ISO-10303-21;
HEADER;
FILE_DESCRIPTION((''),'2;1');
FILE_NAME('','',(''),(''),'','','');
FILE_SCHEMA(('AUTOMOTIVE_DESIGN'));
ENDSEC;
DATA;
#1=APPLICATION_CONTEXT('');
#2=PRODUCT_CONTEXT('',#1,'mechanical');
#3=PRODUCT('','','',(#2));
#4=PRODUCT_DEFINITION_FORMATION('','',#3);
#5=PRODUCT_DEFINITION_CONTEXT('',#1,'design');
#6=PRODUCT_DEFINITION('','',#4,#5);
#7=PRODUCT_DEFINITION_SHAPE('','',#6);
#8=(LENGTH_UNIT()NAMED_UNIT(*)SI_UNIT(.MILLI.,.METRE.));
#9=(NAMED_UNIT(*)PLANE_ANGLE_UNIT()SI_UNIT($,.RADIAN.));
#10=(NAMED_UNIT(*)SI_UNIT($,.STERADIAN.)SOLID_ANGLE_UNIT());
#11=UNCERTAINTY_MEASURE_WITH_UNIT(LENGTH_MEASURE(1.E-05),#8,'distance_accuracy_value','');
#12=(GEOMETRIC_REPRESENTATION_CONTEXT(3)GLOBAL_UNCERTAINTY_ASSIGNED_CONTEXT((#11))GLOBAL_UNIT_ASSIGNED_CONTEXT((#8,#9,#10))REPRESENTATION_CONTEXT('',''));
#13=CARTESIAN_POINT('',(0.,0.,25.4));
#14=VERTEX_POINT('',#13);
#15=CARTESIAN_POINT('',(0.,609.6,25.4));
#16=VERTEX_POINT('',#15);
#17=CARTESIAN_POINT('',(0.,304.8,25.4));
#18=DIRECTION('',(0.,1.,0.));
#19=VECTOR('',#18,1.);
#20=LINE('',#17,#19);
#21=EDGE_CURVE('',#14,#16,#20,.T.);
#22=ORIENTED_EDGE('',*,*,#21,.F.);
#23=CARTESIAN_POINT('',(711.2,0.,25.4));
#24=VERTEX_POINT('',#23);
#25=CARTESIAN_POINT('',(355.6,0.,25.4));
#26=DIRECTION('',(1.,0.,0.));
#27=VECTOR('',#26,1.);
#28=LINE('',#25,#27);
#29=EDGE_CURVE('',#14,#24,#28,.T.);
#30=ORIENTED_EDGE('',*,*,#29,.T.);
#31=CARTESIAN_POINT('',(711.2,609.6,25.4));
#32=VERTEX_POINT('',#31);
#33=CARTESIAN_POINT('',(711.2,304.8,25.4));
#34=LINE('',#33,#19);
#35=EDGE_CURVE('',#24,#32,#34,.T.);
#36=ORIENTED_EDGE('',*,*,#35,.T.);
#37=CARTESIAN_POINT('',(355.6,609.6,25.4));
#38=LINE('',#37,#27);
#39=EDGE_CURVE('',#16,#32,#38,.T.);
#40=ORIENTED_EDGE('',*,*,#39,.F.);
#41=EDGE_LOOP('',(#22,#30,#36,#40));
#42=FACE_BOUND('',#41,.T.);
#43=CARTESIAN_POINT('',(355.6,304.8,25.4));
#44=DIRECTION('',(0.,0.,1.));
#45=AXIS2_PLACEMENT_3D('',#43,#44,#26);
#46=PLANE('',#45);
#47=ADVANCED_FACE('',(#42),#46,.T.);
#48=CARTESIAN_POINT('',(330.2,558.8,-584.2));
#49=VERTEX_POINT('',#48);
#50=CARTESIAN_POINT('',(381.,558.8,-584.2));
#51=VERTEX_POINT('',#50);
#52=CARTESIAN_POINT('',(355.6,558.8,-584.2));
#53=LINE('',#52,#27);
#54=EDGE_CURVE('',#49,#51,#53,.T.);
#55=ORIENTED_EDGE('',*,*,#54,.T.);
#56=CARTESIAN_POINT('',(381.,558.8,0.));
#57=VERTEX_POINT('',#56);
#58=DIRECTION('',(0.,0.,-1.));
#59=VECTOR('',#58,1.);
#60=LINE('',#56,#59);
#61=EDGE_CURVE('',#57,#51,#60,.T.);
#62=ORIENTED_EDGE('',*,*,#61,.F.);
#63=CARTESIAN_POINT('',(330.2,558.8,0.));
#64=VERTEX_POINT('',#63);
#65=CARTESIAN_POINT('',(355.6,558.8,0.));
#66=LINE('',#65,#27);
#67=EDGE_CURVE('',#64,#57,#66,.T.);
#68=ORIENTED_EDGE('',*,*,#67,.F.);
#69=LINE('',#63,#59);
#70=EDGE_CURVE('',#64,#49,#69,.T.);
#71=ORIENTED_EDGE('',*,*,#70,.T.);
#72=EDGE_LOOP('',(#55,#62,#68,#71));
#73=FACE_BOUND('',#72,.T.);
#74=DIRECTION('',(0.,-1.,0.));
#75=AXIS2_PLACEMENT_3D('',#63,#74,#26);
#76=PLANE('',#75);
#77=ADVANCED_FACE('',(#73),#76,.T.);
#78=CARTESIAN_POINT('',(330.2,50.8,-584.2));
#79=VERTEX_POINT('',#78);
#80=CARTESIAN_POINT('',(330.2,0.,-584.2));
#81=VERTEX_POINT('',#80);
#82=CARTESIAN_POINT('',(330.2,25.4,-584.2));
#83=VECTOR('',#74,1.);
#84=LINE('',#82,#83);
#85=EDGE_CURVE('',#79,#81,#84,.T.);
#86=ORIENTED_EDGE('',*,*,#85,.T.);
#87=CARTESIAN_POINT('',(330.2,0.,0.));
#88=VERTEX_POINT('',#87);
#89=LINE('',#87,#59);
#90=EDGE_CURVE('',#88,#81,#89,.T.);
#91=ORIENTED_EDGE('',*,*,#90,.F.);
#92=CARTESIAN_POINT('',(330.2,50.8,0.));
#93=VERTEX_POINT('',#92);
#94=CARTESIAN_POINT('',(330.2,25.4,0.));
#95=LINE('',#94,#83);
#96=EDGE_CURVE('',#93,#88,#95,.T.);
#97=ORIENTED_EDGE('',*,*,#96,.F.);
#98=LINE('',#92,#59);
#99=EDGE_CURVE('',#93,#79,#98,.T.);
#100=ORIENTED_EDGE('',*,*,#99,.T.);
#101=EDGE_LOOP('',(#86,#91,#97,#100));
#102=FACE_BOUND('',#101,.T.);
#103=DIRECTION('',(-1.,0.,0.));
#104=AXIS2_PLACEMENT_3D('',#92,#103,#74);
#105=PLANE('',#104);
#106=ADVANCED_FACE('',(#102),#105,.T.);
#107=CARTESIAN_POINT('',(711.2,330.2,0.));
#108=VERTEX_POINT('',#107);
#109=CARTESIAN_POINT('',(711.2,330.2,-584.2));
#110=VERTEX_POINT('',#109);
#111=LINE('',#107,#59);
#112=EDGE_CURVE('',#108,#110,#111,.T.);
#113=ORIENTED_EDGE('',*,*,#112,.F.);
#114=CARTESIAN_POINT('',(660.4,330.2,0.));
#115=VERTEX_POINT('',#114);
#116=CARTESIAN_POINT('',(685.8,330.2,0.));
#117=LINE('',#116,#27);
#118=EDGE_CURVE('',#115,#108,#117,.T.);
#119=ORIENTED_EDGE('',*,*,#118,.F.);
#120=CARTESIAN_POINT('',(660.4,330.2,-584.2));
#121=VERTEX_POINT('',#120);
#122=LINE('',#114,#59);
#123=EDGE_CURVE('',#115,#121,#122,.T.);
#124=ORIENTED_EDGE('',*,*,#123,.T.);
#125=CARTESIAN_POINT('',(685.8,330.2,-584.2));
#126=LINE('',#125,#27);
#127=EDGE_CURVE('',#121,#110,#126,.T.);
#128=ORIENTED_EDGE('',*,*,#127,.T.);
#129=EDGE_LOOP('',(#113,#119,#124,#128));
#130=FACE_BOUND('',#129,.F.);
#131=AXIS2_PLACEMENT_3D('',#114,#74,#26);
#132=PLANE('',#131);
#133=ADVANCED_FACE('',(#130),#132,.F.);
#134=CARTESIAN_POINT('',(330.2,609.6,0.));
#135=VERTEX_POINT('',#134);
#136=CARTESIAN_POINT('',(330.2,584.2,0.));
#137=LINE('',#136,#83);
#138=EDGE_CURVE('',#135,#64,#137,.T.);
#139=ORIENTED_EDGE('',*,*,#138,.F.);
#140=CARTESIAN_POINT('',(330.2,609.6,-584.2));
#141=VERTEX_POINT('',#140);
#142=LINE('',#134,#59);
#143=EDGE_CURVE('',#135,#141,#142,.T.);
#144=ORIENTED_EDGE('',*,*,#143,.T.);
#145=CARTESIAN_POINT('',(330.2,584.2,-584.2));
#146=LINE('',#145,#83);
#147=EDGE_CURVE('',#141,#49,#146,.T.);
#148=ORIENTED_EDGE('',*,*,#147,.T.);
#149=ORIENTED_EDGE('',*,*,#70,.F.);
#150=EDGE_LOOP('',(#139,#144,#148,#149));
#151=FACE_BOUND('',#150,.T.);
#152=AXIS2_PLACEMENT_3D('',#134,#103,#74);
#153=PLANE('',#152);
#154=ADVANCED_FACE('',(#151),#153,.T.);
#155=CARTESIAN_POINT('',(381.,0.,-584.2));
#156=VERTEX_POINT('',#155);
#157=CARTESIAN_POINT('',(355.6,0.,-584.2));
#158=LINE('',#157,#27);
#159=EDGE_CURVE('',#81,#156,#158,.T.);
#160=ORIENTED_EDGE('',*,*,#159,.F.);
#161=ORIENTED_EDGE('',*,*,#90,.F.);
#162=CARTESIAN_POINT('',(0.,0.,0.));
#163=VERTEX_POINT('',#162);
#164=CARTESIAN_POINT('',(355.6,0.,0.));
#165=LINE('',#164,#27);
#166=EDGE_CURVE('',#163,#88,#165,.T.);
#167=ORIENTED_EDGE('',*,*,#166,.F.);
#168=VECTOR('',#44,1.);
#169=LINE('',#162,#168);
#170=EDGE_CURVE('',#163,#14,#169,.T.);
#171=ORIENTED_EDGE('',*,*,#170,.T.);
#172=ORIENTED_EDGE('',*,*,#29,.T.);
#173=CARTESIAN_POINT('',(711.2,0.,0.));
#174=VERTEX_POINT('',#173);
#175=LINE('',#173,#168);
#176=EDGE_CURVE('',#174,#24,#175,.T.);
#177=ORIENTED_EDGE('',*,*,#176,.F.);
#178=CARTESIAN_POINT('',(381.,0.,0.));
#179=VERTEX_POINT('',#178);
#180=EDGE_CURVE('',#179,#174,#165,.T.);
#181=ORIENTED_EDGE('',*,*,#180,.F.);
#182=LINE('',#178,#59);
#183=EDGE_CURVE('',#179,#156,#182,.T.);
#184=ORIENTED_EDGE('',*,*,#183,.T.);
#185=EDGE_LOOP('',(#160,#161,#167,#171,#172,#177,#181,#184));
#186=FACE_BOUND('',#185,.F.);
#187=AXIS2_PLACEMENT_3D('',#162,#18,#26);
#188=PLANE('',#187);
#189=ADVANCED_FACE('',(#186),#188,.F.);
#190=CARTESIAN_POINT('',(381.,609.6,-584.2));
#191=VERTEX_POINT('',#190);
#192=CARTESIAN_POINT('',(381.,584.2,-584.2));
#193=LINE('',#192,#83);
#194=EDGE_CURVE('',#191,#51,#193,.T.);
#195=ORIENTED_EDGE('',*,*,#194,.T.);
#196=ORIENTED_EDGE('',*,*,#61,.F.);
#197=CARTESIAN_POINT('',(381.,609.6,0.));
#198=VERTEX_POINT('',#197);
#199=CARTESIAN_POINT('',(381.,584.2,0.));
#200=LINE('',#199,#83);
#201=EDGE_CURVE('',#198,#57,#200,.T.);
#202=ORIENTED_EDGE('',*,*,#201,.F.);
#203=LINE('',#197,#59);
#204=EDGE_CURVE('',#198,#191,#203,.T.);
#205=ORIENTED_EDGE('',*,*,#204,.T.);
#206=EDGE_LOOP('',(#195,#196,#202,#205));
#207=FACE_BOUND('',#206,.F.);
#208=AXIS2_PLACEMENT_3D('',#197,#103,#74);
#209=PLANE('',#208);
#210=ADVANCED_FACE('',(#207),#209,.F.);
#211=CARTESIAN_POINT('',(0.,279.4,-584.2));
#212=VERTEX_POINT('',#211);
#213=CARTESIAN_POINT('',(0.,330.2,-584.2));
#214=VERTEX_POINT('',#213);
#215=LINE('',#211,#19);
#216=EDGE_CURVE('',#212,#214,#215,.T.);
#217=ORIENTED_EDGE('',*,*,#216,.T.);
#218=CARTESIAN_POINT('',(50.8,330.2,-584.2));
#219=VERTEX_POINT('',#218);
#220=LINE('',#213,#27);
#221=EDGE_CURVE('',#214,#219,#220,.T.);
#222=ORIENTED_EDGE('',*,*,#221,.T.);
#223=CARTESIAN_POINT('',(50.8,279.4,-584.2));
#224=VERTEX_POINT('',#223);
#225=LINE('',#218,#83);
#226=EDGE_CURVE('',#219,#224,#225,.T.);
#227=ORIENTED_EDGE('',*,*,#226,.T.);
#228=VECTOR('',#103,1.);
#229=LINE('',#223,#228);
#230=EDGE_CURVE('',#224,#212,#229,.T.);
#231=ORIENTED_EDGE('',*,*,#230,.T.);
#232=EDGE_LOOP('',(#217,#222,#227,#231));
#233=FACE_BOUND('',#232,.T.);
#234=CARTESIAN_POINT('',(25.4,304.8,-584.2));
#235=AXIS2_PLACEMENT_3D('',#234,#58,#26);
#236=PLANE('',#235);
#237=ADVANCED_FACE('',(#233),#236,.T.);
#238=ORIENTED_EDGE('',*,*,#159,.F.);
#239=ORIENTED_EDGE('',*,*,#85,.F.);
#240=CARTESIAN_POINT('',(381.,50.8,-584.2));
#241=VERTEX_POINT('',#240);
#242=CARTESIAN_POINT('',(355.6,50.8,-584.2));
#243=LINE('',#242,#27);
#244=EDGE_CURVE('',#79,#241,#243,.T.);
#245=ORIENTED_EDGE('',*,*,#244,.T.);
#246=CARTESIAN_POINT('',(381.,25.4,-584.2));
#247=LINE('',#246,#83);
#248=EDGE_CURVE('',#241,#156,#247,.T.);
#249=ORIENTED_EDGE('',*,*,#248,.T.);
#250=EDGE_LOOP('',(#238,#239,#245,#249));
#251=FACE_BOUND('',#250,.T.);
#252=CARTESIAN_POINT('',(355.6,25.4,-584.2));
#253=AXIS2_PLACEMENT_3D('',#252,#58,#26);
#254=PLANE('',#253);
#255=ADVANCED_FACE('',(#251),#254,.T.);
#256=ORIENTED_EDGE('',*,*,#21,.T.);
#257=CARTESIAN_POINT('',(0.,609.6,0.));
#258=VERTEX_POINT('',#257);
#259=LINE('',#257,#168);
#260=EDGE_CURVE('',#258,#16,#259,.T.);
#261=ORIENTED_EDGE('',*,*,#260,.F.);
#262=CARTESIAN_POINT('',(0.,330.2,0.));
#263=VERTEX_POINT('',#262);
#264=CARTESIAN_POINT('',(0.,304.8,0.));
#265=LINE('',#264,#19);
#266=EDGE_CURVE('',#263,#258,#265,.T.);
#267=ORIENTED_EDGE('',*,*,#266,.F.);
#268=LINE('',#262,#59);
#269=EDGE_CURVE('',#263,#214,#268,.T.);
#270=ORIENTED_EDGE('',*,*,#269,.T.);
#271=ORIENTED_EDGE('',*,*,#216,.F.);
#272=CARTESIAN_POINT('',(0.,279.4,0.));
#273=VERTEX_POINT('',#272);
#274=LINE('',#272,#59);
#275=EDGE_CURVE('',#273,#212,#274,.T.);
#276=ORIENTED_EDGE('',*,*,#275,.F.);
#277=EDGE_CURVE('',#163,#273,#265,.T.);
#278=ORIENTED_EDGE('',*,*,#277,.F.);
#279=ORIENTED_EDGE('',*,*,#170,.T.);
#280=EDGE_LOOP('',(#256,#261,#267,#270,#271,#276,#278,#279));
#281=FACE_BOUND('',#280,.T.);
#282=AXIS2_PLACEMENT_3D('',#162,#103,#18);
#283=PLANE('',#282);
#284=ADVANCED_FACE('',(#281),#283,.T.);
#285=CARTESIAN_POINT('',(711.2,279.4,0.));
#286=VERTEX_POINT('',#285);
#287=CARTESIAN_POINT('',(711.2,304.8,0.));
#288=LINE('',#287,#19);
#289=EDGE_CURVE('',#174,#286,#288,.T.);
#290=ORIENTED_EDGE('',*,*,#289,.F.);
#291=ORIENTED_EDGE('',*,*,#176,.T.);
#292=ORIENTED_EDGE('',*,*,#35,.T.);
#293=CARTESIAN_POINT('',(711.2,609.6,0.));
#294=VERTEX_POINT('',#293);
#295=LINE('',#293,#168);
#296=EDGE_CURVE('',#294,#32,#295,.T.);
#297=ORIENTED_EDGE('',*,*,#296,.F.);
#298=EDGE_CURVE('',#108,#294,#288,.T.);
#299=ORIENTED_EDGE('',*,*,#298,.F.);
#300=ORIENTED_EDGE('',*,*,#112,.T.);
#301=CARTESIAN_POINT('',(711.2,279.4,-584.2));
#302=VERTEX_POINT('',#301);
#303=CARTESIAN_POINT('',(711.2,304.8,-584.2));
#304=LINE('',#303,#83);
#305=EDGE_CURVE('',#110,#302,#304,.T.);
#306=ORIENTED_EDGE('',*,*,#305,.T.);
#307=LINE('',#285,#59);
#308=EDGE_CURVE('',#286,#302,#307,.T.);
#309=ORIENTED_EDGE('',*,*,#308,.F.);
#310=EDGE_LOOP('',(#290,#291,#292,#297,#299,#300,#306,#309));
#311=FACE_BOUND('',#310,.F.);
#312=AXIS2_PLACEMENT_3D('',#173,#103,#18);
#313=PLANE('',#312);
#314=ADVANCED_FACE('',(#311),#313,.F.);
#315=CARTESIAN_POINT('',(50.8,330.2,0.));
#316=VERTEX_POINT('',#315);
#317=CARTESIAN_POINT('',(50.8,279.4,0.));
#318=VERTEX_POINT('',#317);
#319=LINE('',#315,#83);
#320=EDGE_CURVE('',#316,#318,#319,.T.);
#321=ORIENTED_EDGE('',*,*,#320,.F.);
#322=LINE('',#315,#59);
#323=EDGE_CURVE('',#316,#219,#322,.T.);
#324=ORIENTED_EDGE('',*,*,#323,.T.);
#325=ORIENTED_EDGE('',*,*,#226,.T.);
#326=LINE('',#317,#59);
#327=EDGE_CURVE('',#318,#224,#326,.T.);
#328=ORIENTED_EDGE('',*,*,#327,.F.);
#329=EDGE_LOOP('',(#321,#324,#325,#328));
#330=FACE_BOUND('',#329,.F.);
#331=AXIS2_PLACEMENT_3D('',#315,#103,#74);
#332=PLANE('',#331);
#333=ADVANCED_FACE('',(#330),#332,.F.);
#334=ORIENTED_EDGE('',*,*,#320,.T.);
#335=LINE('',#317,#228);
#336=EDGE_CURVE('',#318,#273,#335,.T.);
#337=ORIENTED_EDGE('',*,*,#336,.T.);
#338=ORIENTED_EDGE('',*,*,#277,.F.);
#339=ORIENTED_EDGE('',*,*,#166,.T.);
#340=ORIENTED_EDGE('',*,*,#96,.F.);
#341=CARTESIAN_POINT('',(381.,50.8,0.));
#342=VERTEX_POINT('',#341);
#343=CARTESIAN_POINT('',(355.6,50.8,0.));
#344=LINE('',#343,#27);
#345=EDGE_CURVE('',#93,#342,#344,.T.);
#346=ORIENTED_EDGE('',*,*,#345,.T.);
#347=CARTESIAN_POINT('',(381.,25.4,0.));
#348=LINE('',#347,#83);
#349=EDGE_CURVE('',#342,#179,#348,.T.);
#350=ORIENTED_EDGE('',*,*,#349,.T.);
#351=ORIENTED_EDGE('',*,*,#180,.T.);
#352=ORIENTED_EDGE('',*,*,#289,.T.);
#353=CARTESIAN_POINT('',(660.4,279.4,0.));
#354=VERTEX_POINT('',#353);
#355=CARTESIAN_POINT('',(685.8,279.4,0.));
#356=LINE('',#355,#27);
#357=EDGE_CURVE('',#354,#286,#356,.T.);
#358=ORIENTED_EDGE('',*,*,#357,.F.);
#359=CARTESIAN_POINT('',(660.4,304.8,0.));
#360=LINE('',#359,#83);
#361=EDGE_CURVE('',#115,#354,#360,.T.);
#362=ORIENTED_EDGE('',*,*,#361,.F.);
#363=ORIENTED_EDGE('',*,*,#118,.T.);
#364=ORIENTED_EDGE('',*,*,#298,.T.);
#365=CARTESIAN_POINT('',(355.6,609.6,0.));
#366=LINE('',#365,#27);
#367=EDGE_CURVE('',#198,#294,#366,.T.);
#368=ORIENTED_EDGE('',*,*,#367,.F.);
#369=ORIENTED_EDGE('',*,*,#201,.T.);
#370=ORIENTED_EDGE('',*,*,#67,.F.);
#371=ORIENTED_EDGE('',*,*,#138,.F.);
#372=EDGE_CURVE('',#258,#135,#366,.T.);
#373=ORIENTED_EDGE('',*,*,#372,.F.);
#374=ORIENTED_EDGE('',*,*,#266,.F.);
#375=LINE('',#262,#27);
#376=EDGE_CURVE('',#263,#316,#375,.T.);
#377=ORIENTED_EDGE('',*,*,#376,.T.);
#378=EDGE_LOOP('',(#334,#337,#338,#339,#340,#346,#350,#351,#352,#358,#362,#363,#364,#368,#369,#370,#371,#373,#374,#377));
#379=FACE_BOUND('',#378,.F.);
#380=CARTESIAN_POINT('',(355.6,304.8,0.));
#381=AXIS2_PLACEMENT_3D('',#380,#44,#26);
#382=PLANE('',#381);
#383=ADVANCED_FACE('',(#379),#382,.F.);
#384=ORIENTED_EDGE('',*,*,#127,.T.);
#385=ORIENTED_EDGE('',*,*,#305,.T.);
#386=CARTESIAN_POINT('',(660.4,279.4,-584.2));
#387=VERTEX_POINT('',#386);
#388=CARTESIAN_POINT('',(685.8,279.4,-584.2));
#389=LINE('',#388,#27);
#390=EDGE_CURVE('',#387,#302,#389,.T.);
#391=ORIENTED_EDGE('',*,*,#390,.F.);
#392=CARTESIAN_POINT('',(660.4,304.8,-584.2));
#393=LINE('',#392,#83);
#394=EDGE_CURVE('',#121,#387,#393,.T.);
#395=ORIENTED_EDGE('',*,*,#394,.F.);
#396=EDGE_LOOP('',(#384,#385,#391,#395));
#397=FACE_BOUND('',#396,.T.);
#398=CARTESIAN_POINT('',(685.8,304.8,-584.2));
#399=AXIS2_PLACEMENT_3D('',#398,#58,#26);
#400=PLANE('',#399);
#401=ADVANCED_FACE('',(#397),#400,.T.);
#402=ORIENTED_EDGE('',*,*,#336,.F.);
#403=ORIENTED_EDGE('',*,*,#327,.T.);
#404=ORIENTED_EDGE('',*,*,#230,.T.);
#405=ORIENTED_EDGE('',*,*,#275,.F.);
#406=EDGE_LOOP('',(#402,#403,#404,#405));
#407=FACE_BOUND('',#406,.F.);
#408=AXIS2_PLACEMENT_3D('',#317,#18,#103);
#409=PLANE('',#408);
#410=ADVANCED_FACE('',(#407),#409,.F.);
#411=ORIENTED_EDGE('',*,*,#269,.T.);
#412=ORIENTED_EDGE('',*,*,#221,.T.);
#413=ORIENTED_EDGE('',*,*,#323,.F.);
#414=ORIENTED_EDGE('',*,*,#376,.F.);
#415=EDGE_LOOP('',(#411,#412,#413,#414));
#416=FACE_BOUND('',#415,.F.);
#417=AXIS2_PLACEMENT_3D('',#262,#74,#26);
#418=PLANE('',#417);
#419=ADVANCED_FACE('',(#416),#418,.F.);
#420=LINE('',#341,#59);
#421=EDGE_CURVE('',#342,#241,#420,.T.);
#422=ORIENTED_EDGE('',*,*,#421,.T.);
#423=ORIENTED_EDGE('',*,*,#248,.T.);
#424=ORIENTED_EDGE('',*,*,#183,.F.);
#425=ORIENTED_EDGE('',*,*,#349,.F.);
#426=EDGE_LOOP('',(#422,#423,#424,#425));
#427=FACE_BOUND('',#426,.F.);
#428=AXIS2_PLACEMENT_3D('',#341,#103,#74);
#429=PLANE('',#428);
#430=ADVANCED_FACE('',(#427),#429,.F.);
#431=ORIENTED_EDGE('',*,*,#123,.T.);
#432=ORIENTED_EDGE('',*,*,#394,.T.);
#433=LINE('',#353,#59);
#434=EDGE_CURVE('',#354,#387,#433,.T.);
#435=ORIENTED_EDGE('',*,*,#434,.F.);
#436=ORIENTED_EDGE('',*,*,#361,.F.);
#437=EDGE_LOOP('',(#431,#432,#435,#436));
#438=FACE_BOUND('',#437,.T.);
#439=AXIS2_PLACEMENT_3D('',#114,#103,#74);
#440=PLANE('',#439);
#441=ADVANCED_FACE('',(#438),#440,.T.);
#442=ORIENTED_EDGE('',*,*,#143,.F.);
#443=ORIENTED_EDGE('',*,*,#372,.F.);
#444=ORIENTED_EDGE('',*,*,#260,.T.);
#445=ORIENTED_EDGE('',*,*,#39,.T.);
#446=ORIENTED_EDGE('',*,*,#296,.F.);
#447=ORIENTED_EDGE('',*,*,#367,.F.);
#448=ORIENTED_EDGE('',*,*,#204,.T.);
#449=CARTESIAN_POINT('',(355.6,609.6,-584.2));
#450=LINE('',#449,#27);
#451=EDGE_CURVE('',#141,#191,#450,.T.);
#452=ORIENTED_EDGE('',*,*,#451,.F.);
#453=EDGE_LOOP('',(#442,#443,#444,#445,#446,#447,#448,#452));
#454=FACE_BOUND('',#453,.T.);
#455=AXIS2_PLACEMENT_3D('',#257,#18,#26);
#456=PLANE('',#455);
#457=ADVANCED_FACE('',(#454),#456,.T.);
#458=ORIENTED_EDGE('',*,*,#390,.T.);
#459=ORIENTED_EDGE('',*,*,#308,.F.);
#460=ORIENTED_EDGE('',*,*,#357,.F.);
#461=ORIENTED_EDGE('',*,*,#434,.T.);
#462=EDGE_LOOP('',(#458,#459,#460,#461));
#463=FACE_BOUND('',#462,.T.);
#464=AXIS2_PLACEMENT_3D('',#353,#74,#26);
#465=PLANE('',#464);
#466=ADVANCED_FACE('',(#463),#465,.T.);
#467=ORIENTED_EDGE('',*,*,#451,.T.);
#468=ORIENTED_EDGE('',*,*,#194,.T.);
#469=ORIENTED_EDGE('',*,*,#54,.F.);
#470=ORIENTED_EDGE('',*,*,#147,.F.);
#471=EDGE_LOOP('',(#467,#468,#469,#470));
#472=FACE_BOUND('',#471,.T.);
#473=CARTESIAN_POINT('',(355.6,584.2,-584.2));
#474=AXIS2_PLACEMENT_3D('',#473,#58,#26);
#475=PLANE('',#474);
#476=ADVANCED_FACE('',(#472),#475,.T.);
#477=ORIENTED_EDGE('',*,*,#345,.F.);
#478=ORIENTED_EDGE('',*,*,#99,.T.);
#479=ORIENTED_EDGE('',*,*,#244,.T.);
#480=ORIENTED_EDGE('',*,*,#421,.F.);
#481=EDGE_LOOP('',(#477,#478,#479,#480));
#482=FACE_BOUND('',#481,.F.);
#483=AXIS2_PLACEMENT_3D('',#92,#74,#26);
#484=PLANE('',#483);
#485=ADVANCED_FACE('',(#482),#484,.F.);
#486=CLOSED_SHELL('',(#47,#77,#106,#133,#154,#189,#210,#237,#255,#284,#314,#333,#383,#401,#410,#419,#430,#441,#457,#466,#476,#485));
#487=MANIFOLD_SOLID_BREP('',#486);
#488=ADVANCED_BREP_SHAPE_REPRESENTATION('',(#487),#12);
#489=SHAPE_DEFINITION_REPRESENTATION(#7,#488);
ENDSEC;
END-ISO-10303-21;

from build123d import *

# Parameters (mm, degrees)
F0_W     = 711.2
F0_H     = 609.6
F1_DEPTH = 25.4
F2_W     = 50.8
F2_H     = 50.8
F3_DEPTH = 584.2


with BuildPart() as f1:
    # F0 (on Top) → F1 (new body)
    with BuildSketch(Plane.XY):
        with Locations((355.6, 304.8)):
            Rectangle(F0_W, F0_H)
    extrude(amount=F1_DEPTH)

    # F2 (on face) → F3 (join)
    with BuildSketch(Plane(origin=(0, 0, 0), x_dir=(1, 0, 0), z_dir=(0, 0, -1))):
        Polygon((50.8, -279.4), (0, -279.4), (0, -304.8), (0, -330.2), (50.8, -330.2), align=None)
        with Locations((685.8, -304.8)):
            Rectangle(F2_W, F2_H)
        with Locations((355.6, -584.2)):
            Rectangle(F2_W, F2_H)
        with Locations((355.6, -25.4)):
            Rectangle(F2_W, F2_H)
    extrude(amount=F3_DEPTH)


solid = f1.part
